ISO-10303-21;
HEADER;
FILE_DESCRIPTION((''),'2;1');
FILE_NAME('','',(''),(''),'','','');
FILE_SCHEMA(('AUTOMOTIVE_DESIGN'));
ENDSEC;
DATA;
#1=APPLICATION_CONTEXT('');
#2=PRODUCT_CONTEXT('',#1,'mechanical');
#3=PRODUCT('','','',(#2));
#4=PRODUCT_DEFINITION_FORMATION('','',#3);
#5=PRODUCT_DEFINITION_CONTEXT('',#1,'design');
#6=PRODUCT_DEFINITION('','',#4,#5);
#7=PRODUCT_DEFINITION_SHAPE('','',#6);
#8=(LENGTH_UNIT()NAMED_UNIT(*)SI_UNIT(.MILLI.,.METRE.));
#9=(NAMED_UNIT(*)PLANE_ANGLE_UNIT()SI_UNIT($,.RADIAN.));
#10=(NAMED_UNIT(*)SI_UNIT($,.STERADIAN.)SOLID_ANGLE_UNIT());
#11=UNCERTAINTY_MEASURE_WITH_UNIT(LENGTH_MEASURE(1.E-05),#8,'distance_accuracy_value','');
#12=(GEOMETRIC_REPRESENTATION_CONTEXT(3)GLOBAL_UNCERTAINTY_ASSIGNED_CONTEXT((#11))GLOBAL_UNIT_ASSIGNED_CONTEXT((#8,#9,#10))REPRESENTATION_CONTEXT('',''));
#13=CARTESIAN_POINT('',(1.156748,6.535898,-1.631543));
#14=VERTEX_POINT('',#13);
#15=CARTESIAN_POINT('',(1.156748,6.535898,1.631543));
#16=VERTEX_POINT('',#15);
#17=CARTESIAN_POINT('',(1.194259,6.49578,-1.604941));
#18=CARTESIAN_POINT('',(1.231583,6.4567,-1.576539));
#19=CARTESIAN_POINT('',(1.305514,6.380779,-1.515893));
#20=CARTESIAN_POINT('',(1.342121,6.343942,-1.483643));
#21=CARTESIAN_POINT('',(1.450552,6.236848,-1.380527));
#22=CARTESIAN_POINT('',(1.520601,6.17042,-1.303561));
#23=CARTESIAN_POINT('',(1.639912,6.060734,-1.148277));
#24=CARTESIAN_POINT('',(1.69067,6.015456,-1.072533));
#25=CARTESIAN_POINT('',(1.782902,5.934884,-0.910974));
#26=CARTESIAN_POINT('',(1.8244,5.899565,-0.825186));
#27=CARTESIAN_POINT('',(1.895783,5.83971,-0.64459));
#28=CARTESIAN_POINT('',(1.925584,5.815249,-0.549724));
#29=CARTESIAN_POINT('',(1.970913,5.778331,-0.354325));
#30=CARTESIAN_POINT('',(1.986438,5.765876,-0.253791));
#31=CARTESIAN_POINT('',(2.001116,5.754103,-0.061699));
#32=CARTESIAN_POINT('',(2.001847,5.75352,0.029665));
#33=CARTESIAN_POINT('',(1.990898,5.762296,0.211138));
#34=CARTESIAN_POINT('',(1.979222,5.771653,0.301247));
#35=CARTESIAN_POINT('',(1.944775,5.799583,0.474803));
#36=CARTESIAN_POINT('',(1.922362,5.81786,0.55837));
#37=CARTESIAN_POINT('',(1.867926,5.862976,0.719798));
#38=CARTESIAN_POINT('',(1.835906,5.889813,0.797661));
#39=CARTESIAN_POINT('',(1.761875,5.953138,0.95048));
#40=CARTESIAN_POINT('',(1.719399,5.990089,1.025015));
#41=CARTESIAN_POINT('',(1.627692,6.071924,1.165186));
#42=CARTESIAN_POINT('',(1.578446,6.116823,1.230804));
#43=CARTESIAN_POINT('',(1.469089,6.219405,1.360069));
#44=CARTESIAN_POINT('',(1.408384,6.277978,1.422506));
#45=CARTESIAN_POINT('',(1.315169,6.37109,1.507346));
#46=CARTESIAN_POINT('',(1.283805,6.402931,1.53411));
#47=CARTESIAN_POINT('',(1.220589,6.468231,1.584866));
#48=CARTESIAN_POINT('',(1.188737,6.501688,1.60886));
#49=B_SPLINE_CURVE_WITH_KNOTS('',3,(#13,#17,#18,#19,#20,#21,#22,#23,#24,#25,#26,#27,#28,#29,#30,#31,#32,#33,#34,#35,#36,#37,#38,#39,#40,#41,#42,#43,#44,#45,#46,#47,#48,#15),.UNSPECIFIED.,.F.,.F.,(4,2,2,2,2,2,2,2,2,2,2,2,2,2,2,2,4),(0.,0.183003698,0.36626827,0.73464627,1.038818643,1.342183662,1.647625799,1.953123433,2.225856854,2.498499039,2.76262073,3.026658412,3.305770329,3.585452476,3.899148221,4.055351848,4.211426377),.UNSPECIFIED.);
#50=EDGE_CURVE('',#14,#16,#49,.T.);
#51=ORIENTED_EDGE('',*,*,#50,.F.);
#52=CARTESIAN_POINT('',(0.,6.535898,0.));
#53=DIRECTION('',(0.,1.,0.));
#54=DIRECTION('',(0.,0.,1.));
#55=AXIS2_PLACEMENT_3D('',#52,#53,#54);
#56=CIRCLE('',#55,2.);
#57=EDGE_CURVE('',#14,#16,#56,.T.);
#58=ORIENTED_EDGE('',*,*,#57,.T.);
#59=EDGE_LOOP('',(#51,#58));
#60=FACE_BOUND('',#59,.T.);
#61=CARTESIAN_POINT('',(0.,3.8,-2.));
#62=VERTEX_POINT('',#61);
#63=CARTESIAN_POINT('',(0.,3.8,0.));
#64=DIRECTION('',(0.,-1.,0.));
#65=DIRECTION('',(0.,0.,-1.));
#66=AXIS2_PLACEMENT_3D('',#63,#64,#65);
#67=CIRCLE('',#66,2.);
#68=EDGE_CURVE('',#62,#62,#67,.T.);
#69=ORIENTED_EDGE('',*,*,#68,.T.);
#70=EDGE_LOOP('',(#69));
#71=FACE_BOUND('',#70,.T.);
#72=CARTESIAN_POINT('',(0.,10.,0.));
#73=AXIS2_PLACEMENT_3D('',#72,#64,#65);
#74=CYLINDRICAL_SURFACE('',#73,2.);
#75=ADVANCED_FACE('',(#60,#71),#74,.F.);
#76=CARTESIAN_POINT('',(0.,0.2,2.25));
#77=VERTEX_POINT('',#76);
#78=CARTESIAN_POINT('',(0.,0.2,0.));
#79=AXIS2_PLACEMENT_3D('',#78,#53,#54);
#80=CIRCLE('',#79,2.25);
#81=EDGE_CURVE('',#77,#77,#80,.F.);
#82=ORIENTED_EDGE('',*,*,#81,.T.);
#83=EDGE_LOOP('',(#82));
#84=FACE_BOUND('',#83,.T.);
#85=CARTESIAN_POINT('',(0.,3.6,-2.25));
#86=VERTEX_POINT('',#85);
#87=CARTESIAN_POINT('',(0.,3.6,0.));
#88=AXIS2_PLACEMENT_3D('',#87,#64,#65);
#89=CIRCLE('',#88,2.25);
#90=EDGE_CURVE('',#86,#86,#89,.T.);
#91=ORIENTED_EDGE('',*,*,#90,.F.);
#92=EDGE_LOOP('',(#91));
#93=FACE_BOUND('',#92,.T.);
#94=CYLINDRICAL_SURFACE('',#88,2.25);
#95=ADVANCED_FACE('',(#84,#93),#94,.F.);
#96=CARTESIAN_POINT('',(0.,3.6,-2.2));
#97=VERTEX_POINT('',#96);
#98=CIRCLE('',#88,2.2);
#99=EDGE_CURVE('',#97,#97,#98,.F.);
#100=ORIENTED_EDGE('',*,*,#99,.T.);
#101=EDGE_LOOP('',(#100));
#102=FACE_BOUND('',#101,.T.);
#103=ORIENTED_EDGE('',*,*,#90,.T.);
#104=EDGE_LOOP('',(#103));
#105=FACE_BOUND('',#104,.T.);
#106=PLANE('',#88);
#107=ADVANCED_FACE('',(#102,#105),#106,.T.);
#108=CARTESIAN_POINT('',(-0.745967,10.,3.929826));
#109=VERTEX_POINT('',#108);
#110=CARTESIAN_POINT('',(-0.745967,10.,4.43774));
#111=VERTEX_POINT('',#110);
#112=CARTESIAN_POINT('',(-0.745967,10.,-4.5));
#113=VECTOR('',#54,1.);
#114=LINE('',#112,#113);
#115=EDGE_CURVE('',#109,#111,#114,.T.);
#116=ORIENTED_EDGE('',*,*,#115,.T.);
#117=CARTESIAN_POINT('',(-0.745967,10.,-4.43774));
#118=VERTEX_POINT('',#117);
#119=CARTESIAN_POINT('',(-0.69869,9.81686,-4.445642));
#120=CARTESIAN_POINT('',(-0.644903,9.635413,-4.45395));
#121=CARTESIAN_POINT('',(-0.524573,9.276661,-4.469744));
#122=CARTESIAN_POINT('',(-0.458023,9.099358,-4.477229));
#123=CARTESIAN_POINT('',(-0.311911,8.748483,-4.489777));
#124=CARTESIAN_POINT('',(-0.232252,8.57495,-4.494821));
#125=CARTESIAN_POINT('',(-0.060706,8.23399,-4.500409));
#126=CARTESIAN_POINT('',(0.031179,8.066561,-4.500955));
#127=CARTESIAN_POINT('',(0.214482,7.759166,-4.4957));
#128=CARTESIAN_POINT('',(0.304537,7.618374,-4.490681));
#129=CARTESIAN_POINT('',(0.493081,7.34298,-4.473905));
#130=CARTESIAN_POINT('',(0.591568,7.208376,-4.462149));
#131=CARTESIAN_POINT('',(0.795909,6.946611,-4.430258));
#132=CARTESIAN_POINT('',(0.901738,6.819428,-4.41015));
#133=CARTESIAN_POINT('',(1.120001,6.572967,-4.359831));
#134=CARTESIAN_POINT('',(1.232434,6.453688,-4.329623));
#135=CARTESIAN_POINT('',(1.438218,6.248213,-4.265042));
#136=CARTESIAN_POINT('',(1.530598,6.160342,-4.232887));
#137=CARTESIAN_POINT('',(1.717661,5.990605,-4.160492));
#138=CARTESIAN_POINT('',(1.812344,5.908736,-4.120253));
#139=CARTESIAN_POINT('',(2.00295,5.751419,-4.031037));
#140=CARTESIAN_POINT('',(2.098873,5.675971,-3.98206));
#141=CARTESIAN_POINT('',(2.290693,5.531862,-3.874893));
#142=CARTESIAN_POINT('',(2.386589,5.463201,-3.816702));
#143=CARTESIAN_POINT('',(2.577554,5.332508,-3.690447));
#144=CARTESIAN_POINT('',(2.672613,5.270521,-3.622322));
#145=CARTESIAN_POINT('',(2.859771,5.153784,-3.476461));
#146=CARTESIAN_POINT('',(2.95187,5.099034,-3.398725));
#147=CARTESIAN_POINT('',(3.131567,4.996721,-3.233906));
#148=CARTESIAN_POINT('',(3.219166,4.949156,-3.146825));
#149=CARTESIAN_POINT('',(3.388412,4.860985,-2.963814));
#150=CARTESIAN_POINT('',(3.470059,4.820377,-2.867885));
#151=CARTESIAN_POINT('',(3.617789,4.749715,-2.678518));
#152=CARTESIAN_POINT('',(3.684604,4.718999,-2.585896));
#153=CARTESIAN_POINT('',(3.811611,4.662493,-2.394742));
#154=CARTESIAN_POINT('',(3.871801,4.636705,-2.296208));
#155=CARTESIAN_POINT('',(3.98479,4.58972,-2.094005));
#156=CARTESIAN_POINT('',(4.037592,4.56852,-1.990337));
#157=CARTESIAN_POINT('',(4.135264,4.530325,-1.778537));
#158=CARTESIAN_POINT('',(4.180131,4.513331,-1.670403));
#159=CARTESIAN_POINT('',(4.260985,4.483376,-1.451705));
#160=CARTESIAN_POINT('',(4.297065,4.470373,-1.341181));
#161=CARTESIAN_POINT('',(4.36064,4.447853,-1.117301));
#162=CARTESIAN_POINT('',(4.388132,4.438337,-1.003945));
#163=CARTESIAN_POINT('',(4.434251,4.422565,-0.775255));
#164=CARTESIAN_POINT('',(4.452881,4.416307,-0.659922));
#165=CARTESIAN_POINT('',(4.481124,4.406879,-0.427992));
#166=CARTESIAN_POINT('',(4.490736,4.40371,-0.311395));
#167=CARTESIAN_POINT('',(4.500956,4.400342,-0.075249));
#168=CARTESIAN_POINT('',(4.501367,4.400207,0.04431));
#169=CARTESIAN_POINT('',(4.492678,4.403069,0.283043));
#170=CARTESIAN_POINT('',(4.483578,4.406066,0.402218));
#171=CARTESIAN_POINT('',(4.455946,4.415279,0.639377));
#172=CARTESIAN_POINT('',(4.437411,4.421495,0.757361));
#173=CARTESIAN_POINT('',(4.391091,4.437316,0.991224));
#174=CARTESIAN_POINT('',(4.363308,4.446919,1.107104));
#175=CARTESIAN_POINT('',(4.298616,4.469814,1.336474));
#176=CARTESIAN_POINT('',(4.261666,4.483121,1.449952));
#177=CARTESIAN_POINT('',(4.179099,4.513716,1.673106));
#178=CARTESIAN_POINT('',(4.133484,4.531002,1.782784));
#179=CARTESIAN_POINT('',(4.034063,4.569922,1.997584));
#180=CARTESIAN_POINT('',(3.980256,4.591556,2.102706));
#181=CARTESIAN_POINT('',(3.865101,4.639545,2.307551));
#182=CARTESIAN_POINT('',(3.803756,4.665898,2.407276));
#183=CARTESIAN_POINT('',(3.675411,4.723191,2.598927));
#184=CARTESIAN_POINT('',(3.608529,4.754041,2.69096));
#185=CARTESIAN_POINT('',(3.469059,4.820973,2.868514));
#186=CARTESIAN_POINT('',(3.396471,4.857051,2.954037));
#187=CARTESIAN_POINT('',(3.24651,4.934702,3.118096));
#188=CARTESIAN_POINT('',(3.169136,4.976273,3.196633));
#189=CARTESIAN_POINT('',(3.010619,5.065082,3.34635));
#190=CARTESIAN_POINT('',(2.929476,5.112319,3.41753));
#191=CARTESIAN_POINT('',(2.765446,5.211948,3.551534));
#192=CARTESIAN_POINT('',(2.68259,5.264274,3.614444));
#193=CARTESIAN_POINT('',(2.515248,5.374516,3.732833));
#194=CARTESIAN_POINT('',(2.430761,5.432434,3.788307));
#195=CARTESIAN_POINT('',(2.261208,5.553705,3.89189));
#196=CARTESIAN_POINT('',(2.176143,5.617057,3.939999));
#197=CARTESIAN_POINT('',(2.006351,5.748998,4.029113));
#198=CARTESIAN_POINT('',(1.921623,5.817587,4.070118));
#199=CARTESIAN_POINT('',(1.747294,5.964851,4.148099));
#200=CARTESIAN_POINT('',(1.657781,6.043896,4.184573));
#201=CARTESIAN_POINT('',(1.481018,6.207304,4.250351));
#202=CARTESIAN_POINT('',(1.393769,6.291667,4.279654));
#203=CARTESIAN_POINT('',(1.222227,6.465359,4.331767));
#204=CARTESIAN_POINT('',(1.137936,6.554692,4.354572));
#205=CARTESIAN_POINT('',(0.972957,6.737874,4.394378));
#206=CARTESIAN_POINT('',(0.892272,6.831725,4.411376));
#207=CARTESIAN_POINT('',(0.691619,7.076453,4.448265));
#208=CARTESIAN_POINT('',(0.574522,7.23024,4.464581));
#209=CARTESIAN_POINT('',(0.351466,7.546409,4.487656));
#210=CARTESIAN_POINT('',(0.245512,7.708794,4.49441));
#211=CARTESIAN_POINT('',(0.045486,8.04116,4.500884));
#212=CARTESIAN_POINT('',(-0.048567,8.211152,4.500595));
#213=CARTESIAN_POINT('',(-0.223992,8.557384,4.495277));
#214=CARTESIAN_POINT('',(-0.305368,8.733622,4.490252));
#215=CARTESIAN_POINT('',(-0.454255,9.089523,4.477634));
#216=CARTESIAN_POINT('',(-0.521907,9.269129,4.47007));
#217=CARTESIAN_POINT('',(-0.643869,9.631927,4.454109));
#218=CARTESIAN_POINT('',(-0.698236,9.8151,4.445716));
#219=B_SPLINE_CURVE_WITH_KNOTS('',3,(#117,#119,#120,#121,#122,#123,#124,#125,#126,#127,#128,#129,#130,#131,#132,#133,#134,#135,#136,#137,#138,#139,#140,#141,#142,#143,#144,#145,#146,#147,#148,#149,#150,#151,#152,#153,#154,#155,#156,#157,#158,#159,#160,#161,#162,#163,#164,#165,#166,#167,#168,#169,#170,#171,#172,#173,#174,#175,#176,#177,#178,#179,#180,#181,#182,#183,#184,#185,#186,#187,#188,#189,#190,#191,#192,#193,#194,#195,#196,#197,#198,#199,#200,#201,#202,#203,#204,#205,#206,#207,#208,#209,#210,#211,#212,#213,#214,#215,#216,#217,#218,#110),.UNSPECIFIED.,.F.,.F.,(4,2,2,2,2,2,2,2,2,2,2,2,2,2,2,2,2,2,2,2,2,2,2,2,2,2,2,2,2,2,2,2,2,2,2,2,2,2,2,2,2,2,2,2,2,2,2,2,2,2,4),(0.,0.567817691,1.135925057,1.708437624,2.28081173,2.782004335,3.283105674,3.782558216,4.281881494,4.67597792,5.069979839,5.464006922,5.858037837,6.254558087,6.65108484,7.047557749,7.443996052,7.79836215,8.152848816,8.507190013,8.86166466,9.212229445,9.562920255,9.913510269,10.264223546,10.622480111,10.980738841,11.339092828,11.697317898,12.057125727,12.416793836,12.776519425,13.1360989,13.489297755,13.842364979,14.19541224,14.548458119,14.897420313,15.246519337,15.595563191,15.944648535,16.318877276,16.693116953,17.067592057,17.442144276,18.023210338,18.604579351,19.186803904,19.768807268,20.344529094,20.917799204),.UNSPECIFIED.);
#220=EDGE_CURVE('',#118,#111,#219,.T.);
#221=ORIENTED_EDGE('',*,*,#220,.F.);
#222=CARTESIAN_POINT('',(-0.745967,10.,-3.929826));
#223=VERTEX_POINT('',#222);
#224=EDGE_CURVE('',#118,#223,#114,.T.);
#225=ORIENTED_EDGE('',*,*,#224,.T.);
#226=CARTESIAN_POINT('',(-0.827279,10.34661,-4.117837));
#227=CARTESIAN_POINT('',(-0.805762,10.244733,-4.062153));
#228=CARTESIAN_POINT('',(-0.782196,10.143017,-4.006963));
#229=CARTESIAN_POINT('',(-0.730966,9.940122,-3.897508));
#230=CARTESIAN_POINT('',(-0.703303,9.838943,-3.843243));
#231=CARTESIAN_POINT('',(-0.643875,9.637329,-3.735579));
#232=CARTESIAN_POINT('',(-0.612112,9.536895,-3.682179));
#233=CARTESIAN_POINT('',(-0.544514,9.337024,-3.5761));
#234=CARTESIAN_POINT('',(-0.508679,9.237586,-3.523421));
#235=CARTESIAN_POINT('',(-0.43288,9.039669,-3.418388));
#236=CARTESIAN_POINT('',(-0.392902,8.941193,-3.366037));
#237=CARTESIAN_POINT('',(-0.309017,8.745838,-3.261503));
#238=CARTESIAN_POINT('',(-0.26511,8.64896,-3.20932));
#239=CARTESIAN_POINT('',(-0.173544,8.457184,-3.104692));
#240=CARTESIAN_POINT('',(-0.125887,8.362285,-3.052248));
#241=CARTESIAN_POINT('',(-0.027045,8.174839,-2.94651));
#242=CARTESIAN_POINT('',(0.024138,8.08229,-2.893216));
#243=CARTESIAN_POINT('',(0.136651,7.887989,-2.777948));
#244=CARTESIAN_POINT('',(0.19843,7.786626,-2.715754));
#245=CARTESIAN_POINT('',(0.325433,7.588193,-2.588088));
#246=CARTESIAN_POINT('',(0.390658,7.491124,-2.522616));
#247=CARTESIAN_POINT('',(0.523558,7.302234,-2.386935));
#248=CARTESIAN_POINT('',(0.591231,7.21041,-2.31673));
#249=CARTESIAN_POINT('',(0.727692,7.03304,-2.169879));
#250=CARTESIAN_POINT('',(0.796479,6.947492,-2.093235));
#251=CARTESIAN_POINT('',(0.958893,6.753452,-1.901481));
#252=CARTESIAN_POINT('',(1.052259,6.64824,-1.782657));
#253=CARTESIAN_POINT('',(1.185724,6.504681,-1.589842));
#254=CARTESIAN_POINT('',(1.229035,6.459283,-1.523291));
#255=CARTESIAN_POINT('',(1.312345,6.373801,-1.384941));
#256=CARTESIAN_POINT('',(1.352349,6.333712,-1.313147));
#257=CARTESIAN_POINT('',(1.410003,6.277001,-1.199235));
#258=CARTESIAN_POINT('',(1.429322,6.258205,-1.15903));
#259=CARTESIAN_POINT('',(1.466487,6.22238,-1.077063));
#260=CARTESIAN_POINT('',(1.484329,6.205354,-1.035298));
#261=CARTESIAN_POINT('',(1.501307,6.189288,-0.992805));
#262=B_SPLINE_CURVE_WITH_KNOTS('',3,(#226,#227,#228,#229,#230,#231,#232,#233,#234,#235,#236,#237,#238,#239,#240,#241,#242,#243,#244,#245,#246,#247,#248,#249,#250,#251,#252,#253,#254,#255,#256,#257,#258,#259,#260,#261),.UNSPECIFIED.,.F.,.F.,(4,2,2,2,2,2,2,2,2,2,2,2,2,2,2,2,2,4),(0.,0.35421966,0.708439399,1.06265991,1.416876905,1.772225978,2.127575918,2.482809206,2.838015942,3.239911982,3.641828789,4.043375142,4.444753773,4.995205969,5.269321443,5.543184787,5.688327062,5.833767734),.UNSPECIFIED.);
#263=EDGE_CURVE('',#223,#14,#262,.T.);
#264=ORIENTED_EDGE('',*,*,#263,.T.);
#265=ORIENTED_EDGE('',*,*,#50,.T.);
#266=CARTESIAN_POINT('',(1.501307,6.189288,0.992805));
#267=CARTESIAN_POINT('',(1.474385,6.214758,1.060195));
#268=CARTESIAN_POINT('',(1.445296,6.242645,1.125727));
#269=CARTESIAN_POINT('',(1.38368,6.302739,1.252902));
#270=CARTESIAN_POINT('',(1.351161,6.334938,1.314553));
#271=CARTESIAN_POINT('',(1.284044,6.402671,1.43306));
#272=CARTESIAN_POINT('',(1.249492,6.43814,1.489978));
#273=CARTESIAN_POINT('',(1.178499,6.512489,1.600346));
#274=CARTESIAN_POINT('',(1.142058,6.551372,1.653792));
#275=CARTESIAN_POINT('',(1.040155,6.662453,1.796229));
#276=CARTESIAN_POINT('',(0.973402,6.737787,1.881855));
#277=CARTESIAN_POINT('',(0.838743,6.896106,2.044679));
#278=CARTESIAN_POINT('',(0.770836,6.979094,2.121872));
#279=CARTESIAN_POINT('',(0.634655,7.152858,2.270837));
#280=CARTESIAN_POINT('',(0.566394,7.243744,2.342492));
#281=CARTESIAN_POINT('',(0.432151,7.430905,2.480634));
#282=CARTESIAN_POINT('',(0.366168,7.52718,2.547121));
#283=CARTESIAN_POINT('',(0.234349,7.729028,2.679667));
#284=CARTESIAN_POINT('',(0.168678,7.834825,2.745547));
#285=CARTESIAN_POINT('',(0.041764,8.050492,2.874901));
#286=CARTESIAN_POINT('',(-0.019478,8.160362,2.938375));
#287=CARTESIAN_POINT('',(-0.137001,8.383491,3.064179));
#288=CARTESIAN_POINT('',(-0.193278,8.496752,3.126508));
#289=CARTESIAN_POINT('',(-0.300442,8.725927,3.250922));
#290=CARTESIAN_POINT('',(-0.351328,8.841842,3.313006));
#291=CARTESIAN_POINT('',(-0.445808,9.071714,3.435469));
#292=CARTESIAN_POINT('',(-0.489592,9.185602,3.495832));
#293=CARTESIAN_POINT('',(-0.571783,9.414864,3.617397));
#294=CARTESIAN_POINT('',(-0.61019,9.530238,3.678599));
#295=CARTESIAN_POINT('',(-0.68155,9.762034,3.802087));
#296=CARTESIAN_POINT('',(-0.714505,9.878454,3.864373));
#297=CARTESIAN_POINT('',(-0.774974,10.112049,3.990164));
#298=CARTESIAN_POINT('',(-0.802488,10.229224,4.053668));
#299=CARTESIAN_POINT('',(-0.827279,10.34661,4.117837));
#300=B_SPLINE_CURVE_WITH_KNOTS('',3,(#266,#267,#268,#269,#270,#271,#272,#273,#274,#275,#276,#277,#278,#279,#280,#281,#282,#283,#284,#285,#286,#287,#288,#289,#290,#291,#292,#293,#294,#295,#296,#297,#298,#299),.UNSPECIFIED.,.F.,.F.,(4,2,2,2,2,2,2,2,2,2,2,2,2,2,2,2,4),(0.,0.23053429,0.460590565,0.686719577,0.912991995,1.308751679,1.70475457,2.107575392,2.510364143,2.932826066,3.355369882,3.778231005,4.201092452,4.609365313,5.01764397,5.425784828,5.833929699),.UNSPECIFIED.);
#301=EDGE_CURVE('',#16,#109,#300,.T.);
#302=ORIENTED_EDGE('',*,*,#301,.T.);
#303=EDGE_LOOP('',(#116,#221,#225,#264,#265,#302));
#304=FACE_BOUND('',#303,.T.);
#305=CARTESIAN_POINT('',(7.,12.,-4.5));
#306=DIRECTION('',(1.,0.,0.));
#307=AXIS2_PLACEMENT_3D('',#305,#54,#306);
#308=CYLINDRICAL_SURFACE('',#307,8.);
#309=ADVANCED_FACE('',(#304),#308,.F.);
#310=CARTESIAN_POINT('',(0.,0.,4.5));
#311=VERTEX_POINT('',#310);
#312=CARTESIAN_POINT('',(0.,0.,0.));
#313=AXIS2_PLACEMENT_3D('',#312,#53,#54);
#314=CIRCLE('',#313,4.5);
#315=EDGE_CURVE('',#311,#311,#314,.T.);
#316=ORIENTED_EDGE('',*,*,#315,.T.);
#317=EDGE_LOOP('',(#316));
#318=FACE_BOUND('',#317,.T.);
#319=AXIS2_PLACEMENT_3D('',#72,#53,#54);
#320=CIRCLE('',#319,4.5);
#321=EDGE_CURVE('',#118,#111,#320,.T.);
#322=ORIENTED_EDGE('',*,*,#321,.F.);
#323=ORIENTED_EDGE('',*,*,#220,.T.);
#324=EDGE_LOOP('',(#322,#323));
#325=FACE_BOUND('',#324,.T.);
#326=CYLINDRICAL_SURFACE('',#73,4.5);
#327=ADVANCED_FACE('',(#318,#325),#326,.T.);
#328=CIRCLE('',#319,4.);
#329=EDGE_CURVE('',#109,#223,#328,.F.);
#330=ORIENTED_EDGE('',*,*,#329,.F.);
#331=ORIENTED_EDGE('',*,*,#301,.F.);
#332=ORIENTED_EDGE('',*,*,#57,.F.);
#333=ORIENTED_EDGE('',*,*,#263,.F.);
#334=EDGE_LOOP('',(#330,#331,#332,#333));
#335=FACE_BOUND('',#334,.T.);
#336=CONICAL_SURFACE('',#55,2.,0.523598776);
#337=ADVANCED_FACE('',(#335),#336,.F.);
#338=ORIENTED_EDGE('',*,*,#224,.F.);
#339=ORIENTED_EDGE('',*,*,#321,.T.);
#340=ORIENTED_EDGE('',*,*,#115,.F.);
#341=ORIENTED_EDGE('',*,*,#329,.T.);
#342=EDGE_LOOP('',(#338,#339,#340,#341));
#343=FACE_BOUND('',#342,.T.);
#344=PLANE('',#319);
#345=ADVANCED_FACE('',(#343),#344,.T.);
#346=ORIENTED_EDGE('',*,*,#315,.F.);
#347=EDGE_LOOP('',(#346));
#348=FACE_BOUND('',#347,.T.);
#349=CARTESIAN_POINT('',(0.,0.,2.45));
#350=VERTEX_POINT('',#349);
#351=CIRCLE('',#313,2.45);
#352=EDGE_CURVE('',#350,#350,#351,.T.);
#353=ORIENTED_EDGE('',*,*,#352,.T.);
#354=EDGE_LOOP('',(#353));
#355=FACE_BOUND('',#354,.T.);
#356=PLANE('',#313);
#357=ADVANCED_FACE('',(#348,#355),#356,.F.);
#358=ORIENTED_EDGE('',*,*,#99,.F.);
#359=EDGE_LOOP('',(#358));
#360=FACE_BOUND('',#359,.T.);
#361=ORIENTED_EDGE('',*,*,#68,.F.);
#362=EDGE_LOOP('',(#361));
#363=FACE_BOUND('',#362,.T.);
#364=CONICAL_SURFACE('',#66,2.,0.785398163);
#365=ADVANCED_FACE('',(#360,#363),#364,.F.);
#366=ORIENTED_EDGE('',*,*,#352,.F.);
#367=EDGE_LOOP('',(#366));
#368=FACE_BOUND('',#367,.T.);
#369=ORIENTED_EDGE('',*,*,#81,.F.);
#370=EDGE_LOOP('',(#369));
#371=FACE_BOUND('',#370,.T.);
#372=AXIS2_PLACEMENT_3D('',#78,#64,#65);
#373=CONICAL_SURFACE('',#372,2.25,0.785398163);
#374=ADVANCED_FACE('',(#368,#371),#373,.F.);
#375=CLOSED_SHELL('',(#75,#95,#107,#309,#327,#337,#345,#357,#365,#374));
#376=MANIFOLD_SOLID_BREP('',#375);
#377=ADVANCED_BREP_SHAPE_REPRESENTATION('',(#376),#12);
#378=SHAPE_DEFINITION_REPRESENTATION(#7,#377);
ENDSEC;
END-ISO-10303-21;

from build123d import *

# Parameters (mm, degrees)
SKETCH1_R               = 4.5
SKETCH1_R_2             = 2
BOSS_EXTRUDE1_DEPTH     = 10
CHAMFER1_SIZE           = 2
CHAMFER1_SIZE2          = 3.464101615
SKETCH2_R               = 2.25
CUT_EXTRUDE2_DEPTH      = 3.6
CUT_EXTRUDE3_DEPTH      = 12.853269591
CUT_EXTRUDE3_DEPTH_BACK = 12.853269591
SKETCH3_R               = 8
CHAMFER2_SIZE           = 0.2


with BuildPart() as part:
    # Sketch1 → Boss-Extrude1 (new body)
    with BuildSketch(Plane(origin=(0, 0, 0), x_dir=(1, 0, 0), z_dir=(0, 1, 0))):
        with Locations(Location((0, 0, 0), (0, 0, 270))):
            Circle(SKETCH1_R)
        with Locations(Location((0, 0, 0), (0, 0, 270))):
            Circle(SKETCH1_R_2, mode=Mode.SUBTRACT)
    extrude(amount=BOSS_EXTRUDE1_DEPTH)

    # Chamfer1
    chamfer1_edges = [part.edges().sort_by_distance(p)[0] for p in [
        (0, 10, -2),
    ]]
    chamfer1_side = [part.faces().sort_by_distance(p)[0] for p in [
        (0, 10, -4.372720779),
    ]]
    chamfer(chamfer1_edges, length=CHAMFER1_SIZE, length2=CHAMFER1_SIZE2, reference=chamfer1_side[0])

    # Sketch2 → Cut-Extrude2 (cut)
    with BuildSketch(Plane.XZ):
        with Locations(Location((0, 0, 0), (0, 0, 270))):
            Circle(SKETCH2_R)
    extrude(amount=-CUT_EXTRUDE2_DEPTH, mode=Mode.SUBTRACT)

    # Sketch3 → Cut-Extrude3 (cut, two sides: drawn at the far end of the back side and taken through both)
    with BuildSketch(Plane.XY.offset(-CUT_EXTRUDE3_DEPTH_BACK)):
        with Locations((7, 12)):
            Circle(SKETCH3_R)
    extrude(amount=CUT_EXTRUDE3_DEPTH + CUT_EXTRUDE3_DEPTH_BACK, mode=Mode.SUBTRACT)

    # Chamfer2
    chamfer2_edges = [part.edges().sort_by_distance(p)[0] for p in [
        (0, 3.6, -2),
        (0, 0, 2.25),
    ]]
    chamfer(chamfer2_edges, length=CHAMFER2_SIZE)


solid = part.part
